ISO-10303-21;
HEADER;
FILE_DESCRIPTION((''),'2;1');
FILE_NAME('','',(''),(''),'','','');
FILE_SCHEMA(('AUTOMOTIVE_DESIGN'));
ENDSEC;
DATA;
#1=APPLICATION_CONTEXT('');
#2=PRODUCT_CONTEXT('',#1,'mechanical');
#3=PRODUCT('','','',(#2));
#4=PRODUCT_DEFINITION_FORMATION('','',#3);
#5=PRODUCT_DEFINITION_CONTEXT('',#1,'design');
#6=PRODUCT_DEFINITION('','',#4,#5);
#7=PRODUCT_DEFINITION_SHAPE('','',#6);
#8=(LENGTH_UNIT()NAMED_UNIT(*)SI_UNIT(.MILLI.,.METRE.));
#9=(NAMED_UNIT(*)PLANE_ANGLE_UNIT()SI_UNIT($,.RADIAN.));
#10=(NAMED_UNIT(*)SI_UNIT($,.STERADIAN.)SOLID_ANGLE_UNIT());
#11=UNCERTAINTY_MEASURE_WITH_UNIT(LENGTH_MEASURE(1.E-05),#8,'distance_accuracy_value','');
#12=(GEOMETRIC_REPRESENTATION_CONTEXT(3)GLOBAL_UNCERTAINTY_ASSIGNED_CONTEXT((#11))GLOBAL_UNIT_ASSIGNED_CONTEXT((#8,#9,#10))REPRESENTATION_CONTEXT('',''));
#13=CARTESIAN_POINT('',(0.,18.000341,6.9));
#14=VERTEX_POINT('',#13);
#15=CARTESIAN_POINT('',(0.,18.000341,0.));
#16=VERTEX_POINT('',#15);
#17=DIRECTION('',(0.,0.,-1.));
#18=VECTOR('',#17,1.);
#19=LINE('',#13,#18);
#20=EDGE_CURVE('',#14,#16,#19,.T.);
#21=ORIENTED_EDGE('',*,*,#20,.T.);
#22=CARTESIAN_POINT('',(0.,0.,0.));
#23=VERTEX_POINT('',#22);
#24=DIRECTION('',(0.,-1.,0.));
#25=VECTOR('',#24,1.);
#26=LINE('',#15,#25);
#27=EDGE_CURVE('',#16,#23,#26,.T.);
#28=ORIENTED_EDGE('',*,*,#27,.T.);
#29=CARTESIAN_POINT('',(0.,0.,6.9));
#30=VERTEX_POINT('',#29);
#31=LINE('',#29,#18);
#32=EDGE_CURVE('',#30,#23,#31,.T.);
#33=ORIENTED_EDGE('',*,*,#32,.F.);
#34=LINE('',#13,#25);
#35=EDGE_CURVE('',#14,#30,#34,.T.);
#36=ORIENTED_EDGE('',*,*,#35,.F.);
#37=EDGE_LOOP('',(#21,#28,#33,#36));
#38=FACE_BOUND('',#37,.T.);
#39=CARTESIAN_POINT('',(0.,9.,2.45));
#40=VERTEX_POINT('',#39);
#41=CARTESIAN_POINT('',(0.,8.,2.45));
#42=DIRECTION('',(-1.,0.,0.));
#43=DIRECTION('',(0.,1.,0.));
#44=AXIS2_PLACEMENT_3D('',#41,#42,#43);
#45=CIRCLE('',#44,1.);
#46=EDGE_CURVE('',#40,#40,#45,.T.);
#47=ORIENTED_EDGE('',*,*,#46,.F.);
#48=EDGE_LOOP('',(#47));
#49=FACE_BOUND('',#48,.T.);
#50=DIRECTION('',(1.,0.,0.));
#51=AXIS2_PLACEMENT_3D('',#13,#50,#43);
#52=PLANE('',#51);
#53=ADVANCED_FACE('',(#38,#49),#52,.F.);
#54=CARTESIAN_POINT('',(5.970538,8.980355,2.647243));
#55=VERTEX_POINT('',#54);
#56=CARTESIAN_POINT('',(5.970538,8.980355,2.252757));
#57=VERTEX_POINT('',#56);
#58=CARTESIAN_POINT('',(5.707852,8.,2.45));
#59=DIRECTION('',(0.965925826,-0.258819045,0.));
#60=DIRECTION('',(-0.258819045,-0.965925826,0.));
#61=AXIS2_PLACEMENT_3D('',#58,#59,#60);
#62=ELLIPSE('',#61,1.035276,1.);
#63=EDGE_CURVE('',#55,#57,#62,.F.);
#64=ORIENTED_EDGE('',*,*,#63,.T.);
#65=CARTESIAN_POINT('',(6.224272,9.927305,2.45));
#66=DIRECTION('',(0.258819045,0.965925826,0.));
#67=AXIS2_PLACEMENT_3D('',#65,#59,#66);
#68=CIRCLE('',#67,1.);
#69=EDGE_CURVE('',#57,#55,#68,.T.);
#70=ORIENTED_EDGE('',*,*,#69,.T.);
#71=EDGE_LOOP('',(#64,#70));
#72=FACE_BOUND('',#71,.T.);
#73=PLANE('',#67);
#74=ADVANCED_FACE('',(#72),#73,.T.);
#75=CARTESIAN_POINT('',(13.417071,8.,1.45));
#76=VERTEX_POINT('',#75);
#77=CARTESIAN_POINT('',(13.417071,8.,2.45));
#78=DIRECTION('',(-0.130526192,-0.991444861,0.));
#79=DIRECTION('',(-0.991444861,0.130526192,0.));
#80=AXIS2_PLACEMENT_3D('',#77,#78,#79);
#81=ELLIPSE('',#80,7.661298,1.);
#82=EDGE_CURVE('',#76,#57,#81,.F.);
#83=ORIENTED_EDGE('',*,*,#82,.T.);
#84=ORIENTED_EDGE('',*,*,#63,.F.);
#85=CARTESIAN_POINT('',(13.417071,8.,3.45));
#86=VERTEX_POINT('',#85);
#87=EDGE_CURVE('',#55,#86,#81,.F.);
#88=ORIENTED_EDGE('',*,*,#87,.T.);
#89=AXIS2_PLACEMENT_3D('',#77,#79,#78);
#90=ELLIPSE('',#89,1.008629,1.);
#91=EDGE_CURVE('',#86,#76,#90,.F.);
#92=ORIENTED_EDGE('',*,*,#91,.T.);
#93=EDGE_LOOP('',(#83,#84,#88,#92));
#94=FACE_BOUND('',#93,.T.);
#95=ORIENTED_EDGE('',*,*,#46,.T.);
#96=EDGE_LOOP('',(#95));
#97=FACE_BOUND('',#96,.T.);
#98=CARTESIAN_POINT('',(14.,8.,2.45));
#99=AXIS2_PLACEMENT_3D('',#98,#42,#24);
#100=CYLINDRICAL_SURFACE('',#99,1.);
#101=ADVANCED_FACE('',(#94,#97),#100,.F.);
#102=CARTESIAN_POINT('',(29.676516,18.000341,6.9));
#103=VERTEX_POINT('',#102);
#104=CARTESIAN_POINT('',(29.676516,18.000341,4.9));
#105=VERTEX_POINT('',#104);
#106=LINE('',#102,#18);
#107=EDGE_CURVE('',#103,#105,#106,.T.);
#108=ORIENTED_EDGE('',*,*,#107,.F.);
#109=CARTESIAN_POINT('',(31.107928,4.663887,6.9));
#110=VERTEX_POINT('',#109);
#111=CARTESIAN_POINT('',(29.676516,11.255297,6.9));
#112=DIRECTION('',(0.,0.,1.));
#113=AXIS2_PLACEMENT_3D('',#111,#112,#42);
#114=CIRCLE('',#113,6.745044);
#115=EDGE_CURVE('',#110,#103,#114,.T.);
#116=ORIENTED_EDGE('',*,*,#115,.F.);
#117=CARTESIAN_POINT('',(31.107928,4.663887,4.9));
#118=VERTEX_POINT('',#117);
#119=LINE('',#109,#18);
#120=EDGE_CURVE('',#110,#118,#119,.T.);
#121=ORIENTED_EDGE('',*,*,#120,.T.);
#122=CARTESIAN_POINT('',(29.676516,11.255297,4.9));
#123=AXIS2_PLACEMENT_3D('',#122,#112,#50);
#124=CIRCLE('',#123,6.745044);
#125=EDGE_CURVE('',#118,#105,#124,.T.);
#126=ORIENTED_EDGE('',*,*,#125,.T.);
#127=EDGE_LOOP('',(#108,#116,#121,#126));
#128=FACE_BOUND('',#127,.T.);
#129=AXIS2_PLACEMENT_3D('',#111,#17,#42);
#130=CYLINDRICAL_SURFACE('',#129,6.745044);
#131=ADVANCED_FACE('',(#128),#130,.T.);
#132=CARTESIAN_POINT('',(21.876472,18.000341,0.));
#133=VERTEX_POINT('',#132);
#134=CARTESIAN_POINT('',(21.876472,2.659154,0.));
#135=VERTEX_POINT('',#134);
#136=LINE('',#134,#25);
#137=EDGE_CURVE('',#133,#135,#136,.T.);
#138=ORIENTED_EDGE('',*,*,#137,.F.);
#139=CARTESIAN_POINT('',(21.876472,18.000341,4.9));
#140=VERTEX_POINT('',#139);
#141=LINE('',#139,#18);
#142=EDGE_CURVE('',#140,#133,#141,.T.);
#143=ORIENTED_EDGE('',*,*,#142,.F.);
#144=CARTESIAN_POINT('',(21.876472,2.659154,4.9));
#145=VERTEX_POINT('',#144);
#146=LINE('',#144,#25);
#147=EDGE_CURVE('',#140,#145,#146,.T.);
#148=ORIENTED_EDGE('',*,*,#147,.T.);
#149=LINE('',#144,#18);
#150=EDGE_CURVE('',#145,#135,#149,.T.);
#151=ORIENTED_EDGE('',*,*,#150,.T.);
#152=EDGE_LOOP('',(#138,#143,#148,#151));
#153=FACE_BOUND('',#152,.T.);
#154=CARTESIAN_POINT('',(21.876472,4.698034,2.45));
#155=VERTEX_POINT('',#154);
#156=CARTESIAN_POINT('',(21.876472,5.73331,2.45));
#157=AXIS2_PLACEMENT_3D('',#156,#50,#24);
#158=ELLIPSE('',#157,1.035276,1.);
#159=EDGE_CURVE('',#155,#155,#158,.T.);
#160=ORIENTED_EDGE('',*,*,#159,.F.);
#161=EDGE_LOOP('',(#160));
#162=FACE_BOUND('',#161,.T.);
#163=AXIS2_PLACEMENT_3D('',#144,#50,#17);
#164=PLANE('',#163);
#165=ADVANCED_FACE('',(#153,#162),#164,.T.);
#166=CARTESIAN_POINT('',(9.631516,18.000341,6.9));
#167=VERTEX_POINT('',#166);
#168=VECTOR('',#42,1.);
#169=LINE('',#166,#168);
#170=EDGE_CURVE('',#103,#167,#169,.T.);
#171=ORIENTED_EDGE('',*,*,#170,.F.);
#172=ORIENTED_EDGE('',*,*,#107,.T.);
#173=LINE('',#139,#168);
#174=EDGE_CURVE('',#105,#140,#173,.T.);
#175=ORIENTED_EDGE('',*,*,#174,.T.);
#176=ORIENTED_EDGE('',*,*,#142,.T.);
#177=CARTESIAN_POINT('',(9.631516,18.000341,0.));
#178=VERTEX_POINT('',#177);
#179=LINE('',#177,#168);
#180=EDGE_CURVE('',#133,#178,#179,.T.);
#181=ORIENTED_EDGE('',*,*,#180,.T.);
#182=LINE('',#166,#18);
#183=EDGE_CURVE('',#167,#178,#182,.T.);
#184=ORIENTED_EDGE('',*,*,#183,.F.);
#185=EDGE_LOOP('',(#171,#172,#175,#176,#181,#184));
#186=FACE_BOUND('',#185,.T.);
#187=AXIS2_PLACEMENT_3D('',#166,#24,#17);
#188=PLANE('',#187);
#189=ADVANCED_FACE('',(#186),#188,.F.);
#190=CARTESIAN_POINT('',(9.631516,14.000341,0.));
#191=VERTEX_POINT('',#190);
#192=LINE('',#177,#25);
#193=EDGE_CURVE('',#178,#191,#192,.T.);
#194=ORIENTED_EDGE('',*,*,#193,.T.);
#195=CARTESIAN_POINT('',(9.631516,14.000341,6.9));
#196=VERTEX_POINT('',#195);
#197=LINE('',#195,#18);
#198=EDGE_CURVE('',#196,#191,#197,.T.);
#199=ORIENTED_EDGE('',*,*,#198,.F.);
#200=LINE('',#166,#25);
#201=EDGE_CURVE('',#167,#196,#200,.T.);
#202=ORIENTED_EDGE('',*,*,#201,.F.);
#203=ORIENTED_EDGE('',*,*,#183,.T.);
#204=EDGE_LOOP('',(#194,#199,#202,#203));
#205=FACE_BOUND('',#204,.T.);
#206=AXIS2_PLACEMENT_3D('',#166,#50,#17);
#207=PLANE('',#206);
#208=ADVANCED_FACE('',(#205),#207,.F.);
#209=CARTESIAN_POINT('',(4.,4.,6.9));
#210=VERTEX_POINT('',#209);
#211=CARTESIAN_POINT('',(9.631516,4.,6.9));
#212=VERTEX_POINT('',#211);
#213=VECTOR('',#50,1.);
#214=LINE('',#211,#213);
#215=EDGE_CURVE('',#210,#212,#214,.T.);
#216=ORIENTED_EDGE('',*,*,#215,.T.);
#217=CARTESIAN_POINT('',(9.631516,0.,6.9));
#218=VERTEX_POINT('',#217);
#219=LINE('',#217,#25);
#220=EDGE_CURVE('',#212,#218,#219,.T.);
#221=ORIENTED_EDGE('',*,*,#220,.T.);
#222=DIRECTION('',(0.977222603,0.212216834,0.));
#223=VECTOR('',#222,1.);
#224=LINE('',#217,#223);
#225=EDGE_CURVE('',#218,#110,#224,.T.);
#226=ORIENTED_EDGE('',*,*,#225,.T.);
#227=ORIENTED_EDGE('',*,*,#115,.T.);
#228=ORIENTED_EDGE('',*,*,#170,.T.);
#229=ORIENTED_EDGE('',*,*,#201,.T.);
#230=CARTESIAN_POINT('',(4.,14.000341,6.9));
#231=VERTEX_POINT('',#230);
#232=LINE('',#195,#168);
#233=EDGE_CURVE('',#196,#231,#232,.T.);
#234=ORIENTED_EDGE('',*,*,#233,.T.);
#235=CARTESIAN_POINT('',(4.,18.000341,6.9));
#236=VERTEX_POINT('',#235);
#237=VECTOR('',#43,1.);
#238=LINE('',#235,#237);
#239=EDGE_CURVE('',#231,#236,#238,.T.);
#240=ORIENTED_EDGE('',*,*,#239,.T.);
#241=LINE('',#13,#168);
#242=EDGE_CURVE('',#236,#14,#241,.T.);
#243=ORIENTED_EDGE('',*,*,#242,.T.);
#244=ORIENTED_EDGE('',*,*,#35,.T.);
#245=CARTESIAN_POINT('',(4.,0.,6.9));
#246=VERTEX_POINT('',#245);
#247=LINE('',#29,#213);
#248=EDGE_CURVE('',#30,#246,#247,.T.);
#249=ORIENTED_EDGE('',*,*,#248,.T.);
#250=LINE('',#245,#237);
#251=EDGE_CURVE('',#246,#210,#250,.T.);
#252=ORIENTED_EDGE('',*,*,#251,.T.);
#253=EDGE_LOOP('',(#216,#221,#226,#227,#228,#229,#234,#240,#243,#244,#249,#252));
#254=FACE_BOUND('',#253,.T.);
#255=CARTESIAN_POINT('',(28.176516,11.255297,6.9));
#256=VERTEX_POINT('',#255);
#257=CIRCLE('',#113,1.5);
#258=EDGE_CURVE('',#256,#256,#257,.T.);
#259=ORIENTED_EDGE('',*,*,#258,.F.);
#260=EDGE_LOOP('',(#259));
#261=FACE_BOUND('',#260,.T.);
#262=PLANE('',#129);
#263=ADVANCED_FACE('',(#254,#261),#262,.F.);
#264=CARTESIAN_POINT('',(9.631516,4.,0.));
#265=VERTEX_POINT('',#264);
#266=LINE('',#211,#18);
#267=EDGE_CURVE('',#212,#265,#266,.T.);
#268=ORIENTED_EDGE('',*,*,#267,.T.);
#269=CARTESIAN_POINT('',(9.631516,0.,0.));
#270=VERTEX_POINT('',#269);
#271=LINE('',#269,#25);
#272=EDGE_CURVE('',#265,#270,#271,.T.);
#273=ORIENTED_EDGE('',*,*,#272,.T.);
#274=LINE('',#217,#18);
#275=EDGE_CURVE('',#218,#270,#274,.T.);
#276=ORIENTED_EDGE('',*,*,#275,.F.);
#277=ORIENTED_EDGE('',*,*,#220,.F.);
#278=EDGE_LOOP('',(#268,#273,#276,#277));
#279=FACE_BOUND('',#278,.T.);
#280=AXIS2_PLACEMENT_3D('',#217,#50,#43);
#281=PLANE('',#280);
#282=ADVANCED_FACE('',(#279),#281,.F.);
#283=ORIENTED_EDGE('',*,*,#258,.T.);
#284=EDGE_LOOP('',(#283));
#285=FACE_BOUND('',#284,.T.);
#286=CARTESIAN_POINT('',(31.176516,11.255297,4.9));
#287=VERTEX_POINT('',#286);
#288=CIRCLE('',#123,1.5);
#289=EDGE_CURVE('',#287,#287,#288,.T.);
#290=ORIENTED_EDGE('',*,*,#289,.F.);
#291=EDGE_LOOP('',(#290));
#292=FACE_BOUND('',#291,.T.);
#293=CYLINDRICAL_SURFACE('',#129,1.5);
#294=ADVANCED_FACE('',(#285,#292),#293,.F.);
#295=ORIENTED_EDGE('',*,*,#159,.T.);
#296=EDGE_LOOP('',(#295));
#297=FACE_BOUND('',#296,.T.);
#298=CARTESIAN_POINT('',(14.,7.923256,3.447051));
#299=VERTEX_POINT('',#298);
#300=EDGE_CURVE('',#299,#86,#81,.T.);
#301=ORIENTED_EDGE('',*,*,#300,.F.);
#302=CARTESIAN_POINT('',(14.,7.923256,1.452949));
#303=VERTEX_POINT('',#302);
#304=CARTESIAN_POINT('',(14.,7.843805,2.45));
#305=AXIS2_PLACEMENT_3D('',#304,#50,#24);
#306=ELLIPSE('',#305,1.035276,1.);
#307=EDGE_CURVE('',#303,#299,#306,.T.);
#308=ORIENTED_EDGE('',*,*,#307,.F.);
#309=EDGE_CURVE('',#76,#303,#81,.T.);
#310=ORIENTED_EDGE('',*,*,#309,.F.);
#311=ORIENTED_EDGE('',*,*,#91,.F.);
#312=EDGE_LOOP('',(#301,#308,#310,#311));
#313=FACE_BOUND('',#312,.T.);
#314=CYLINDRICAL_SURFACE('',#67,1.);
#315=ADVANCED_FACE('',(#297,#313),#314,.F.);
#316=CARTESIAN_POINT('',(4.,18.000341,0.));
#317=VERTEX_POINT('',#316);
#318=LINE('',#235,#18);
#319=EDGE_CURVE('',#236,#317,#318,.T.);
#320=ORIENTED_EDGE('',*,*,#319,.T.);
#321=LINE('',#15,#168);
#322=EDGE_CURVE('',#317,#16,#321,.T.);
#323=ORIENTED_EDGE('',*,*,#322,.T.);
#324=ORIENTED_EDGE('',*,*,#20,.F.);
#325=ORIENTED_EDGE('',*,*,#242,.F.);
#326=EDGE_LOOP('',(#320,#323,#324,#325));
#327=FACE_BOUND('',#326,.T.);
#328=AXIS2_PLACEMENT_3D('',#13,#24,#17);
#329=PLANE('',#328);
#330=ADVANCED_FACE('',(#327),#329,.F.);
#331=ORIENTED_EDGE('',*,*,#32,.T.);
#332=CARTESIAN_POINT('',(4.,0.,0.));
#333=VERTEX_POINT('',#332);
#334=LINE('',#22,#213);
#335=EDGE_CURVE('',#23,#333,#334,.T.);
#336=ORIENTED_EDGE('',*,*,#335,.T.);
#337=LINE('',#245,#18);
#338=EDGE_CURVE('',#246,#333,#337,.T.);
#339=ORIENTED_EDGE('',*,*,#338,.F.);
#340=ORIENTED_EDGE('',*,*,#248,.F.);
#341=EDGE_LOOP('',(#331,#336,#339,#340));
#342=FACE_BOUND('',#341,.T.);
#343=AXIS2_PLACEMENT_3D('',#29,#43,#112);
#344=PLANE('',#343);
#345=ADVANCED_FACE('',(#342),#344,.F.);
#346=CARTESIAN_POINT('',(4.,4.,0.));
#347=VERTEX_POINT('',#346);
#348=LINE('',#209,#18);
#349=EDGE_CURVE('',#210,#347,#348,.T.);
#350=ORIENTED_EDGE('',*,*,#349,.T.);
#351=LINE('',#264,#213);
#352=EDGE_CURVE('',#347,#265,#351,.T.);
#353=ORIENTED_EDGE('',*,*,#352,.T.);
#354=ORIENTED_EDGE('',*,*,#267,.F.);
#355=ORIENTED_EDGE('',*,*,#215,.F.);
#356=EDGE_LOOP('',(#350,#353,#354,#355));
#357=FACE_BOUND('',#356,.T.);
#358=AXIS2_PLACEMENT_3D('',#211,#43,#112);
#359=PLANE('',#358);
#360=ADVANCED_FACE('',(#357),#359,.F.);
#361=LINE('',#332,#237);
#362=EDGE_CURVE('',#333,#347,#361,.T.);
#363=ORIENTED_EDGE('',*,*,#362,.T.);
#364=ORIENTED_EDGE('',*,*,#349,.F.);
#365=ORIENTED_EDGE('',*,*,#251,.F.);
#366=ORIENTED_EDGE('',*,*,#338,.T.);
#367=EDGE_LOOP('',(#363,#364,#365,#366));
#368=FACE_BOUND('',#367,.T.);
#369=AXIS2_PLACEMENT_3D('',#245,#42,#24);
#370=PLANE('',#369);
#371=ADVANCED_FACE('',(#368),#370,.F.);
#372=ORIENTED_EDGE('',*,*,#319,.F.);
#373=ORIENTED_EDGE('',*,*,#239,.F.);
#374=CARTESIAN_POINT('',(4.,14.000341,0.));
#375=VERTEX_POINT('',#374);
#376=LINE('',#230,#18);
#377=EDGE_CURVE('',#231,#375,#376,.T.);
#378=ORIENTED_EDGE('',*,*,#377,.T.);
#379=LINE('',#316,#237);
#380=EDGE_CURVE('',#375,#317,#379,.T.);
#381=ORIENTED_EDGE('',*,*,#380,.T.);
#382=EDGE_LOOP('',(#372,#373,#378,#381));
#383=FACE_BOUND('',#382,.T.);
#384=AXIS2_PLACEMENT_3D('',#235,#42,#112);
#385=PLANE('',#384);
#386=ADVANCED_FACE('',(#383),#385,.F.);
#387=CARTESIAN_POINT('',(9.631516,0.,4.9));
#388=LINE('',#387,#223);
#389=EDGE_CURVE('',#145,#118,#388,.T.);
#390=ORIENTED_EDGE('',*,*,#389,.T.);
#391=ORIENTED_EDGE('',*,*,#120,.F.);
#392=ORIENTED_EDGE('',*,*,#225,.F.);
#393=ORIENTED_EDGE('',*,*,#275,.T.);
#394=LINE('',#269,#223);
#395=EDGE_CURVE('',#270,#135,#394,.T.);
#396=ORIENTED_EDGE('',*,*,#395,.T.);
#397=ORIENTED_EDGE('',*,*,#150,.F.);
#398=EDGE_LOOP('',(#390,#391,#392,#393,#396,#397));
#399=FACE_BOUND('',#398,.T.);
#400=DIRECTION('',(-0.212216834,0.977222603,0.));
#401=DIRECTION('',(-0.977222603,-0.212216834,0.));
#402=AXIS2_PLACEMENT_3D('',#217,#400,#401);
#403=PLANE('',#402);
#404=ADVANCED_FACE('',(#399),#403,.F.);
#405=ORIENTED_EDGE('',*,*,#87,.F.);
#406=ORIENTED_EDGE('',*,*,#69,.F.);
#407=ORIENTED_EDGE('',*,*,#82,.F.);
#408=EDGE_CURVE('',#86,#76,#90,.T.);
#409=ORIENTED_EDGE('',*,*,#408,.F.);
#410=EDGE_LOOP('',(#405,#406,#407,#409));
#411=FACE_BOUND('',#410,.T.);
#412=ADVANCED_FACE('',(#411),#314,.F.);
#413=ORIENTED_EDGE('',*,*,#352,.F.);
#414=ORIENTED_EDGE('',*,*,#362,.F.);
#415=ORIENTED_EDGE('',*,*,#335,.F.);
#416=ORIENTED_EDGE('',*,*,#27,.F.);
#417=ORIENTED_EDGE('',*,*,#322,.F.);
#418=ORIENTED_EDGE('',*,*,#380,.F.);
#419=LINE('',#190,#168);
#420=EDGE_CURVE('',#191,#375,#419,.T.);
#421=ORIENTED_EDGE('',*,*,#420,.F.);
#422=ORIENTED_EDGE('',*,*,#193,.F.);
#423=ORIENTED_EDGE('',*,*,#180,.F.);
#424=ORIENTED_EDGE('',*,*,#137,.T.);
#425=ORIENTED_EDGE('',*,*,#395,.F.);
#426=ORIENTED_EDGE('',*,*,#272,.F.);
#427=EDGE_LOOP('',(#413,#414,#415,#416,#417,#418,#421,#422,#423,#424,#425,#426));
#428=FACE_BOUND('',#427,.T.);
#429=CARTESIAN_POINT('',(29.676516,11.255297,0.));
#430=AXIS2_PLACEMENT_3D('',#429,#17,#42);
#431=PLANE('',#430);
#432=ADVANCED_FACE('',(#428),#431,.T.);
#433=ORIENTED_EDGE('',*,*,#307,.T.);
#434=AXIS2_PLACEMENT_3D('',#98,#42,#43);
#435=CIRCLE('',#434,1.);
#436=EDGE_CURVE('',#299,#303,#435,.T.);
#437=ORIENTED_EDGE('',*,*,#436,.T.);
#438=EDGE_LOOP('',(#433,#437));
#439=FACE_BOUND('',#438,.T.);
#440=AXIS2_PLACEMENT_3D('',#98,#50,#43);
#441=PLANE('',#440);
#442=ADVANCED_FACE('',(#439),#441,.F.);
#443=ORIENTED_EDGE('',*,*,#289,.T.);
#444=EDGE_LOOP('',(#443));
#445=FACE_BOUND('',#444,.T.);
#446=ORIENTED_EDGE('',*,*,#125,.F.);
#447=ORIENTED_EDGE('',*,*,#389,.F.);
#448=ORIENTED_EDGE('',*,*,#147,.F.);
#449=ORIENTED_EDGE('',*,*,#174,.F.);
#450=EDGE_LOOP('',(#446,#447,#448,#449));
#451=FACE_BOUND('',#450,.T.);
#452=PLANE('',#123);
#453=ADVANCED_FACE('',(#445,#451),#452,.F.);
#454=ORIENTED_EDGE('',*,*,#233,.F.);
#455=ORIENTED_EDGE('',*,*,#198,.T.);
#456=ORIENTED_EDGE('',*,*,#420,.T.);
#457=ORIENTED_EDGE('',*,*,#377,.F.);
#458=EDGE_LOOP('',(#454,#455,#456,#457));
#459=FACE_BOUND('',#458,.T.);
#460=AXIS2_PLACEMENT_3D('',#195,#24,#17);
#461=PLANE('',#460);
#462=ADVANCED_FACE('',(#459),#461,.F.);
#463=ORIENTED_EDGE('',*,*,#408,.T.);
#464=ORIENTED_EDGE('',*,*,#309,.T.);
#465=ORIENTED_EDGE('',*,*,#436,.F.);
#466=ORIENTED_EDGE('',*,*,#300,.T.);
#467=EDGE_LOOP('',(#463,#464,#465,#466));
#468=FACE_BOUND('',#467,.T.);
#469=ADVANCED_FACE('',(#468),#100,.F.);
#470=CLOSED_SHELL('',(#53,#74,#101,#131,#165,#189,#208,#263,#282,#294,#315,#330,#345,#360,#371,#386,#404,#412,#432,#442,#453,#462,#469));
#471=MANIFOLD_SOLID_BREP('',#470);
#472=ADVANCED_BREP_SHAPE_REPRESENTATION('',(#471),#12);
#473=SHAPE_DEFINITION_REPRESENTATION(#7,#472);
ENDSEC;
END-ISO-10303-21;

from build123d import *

# Parameters (mm, degrees)
SKETCH1_R           = 1.5
BOSS_EXTRUDE1_DEPTH = 6.9
CUT_EXTRUDE2_DEPTH  = 4.9
SKETCH5_R           = 1
CUT_EXTRUDE3_DEPTH  = 14
SKETCH8_R           = 1
CUT_EXTRUDE5_DEPTH  = 17


with BuildPart() as part:
    # Sketch1 → Boss-Extrude1 (new body)
    with BuildSketch(Plane.XY):
        with BuildLine():
            Line((9.631516349, 18.000341084), (29.676516349, 18.000341084))
            ThreePointArc((29.676516349, 18.000341084), (36.383041872, 11.97511352), (31.10792826, 4.663887347))
            Line((31.10792826, 4.663887347), (9.631516349, 0))
            Line((9.631516349, 0), (9.631516349, 4))
            Line((9.631516349, 4), (4, 4))
            Line((4, 4), (4, 0))
            Line((4, 0), (0, 0))
            Line((0, 0), (0, 18.000341084))
            Line((0, 18.000341084), (4, 18.000341084))
            Line((4, 18.000341084), (4, 14.000341084))
            Line((4, 14.000341084), (9.631516349, 14.000341084))
            Line((9.631516349, 14.000341084), (9.631516349, 18.000341084))
        make_face()
        with Locations((29.676516349, 11.255296941)):
            Circle(SKETCH1_R, mode=Mode.SUBTRACT)
    extrude(amount=BOSS_EXTRUDE1_DEPTH)

    # Sketch4 → Cut-Extrude2 (cut)
    with BuildSketch(Plane.XY):
        with BuildLine():
            Line((21.876472206, 2.659154375), (21.876472206, 18.000341084))
            Line((21.876472206, 18.000341084), (29.676516349, 18.000341084))
            ThreePointArc((29.676516349, 18.000341084), (36.383041872, 11.97511352), (31.10792826, 4.663887347))
            Line((31.10792826, 4.663887347), (31.10792826, 2.659154375))
            Line((31.10792826, 2.659154375), (21.876472206, 2.659154375))
        make_face()
    extrude(amount=CUT_EXTRUDE2_DEPTH, mode=Mode.SUBTRACT)

    # Sketch5 → Cut-Extrude3 (cut)
    with BuildSketch(Plane.ZY):
        with Locations((2.45, 8)):
            Circle(SKETCH5_R)
    extrude(amount=-CUT_EXTRUDE3_DEPTH, mode=Mode.SUBTRACT)

    # Sketch8 → Cut-Extrude5 (cut)
    with BuildSketch(Plane(origin=(19.746237848, -5.290988485, 0), x_dir=(0, 0, -1), z_dir=(0.965925826, -0.258819045, 0))):
        with Locations((-2.45, 11.2)):
            Circle(SKETCH8_R)
    extrude(amount=-CUT_EXTRUDE5_DEPTH, mode=Mode.SUBTRACT)


solid = part.part
